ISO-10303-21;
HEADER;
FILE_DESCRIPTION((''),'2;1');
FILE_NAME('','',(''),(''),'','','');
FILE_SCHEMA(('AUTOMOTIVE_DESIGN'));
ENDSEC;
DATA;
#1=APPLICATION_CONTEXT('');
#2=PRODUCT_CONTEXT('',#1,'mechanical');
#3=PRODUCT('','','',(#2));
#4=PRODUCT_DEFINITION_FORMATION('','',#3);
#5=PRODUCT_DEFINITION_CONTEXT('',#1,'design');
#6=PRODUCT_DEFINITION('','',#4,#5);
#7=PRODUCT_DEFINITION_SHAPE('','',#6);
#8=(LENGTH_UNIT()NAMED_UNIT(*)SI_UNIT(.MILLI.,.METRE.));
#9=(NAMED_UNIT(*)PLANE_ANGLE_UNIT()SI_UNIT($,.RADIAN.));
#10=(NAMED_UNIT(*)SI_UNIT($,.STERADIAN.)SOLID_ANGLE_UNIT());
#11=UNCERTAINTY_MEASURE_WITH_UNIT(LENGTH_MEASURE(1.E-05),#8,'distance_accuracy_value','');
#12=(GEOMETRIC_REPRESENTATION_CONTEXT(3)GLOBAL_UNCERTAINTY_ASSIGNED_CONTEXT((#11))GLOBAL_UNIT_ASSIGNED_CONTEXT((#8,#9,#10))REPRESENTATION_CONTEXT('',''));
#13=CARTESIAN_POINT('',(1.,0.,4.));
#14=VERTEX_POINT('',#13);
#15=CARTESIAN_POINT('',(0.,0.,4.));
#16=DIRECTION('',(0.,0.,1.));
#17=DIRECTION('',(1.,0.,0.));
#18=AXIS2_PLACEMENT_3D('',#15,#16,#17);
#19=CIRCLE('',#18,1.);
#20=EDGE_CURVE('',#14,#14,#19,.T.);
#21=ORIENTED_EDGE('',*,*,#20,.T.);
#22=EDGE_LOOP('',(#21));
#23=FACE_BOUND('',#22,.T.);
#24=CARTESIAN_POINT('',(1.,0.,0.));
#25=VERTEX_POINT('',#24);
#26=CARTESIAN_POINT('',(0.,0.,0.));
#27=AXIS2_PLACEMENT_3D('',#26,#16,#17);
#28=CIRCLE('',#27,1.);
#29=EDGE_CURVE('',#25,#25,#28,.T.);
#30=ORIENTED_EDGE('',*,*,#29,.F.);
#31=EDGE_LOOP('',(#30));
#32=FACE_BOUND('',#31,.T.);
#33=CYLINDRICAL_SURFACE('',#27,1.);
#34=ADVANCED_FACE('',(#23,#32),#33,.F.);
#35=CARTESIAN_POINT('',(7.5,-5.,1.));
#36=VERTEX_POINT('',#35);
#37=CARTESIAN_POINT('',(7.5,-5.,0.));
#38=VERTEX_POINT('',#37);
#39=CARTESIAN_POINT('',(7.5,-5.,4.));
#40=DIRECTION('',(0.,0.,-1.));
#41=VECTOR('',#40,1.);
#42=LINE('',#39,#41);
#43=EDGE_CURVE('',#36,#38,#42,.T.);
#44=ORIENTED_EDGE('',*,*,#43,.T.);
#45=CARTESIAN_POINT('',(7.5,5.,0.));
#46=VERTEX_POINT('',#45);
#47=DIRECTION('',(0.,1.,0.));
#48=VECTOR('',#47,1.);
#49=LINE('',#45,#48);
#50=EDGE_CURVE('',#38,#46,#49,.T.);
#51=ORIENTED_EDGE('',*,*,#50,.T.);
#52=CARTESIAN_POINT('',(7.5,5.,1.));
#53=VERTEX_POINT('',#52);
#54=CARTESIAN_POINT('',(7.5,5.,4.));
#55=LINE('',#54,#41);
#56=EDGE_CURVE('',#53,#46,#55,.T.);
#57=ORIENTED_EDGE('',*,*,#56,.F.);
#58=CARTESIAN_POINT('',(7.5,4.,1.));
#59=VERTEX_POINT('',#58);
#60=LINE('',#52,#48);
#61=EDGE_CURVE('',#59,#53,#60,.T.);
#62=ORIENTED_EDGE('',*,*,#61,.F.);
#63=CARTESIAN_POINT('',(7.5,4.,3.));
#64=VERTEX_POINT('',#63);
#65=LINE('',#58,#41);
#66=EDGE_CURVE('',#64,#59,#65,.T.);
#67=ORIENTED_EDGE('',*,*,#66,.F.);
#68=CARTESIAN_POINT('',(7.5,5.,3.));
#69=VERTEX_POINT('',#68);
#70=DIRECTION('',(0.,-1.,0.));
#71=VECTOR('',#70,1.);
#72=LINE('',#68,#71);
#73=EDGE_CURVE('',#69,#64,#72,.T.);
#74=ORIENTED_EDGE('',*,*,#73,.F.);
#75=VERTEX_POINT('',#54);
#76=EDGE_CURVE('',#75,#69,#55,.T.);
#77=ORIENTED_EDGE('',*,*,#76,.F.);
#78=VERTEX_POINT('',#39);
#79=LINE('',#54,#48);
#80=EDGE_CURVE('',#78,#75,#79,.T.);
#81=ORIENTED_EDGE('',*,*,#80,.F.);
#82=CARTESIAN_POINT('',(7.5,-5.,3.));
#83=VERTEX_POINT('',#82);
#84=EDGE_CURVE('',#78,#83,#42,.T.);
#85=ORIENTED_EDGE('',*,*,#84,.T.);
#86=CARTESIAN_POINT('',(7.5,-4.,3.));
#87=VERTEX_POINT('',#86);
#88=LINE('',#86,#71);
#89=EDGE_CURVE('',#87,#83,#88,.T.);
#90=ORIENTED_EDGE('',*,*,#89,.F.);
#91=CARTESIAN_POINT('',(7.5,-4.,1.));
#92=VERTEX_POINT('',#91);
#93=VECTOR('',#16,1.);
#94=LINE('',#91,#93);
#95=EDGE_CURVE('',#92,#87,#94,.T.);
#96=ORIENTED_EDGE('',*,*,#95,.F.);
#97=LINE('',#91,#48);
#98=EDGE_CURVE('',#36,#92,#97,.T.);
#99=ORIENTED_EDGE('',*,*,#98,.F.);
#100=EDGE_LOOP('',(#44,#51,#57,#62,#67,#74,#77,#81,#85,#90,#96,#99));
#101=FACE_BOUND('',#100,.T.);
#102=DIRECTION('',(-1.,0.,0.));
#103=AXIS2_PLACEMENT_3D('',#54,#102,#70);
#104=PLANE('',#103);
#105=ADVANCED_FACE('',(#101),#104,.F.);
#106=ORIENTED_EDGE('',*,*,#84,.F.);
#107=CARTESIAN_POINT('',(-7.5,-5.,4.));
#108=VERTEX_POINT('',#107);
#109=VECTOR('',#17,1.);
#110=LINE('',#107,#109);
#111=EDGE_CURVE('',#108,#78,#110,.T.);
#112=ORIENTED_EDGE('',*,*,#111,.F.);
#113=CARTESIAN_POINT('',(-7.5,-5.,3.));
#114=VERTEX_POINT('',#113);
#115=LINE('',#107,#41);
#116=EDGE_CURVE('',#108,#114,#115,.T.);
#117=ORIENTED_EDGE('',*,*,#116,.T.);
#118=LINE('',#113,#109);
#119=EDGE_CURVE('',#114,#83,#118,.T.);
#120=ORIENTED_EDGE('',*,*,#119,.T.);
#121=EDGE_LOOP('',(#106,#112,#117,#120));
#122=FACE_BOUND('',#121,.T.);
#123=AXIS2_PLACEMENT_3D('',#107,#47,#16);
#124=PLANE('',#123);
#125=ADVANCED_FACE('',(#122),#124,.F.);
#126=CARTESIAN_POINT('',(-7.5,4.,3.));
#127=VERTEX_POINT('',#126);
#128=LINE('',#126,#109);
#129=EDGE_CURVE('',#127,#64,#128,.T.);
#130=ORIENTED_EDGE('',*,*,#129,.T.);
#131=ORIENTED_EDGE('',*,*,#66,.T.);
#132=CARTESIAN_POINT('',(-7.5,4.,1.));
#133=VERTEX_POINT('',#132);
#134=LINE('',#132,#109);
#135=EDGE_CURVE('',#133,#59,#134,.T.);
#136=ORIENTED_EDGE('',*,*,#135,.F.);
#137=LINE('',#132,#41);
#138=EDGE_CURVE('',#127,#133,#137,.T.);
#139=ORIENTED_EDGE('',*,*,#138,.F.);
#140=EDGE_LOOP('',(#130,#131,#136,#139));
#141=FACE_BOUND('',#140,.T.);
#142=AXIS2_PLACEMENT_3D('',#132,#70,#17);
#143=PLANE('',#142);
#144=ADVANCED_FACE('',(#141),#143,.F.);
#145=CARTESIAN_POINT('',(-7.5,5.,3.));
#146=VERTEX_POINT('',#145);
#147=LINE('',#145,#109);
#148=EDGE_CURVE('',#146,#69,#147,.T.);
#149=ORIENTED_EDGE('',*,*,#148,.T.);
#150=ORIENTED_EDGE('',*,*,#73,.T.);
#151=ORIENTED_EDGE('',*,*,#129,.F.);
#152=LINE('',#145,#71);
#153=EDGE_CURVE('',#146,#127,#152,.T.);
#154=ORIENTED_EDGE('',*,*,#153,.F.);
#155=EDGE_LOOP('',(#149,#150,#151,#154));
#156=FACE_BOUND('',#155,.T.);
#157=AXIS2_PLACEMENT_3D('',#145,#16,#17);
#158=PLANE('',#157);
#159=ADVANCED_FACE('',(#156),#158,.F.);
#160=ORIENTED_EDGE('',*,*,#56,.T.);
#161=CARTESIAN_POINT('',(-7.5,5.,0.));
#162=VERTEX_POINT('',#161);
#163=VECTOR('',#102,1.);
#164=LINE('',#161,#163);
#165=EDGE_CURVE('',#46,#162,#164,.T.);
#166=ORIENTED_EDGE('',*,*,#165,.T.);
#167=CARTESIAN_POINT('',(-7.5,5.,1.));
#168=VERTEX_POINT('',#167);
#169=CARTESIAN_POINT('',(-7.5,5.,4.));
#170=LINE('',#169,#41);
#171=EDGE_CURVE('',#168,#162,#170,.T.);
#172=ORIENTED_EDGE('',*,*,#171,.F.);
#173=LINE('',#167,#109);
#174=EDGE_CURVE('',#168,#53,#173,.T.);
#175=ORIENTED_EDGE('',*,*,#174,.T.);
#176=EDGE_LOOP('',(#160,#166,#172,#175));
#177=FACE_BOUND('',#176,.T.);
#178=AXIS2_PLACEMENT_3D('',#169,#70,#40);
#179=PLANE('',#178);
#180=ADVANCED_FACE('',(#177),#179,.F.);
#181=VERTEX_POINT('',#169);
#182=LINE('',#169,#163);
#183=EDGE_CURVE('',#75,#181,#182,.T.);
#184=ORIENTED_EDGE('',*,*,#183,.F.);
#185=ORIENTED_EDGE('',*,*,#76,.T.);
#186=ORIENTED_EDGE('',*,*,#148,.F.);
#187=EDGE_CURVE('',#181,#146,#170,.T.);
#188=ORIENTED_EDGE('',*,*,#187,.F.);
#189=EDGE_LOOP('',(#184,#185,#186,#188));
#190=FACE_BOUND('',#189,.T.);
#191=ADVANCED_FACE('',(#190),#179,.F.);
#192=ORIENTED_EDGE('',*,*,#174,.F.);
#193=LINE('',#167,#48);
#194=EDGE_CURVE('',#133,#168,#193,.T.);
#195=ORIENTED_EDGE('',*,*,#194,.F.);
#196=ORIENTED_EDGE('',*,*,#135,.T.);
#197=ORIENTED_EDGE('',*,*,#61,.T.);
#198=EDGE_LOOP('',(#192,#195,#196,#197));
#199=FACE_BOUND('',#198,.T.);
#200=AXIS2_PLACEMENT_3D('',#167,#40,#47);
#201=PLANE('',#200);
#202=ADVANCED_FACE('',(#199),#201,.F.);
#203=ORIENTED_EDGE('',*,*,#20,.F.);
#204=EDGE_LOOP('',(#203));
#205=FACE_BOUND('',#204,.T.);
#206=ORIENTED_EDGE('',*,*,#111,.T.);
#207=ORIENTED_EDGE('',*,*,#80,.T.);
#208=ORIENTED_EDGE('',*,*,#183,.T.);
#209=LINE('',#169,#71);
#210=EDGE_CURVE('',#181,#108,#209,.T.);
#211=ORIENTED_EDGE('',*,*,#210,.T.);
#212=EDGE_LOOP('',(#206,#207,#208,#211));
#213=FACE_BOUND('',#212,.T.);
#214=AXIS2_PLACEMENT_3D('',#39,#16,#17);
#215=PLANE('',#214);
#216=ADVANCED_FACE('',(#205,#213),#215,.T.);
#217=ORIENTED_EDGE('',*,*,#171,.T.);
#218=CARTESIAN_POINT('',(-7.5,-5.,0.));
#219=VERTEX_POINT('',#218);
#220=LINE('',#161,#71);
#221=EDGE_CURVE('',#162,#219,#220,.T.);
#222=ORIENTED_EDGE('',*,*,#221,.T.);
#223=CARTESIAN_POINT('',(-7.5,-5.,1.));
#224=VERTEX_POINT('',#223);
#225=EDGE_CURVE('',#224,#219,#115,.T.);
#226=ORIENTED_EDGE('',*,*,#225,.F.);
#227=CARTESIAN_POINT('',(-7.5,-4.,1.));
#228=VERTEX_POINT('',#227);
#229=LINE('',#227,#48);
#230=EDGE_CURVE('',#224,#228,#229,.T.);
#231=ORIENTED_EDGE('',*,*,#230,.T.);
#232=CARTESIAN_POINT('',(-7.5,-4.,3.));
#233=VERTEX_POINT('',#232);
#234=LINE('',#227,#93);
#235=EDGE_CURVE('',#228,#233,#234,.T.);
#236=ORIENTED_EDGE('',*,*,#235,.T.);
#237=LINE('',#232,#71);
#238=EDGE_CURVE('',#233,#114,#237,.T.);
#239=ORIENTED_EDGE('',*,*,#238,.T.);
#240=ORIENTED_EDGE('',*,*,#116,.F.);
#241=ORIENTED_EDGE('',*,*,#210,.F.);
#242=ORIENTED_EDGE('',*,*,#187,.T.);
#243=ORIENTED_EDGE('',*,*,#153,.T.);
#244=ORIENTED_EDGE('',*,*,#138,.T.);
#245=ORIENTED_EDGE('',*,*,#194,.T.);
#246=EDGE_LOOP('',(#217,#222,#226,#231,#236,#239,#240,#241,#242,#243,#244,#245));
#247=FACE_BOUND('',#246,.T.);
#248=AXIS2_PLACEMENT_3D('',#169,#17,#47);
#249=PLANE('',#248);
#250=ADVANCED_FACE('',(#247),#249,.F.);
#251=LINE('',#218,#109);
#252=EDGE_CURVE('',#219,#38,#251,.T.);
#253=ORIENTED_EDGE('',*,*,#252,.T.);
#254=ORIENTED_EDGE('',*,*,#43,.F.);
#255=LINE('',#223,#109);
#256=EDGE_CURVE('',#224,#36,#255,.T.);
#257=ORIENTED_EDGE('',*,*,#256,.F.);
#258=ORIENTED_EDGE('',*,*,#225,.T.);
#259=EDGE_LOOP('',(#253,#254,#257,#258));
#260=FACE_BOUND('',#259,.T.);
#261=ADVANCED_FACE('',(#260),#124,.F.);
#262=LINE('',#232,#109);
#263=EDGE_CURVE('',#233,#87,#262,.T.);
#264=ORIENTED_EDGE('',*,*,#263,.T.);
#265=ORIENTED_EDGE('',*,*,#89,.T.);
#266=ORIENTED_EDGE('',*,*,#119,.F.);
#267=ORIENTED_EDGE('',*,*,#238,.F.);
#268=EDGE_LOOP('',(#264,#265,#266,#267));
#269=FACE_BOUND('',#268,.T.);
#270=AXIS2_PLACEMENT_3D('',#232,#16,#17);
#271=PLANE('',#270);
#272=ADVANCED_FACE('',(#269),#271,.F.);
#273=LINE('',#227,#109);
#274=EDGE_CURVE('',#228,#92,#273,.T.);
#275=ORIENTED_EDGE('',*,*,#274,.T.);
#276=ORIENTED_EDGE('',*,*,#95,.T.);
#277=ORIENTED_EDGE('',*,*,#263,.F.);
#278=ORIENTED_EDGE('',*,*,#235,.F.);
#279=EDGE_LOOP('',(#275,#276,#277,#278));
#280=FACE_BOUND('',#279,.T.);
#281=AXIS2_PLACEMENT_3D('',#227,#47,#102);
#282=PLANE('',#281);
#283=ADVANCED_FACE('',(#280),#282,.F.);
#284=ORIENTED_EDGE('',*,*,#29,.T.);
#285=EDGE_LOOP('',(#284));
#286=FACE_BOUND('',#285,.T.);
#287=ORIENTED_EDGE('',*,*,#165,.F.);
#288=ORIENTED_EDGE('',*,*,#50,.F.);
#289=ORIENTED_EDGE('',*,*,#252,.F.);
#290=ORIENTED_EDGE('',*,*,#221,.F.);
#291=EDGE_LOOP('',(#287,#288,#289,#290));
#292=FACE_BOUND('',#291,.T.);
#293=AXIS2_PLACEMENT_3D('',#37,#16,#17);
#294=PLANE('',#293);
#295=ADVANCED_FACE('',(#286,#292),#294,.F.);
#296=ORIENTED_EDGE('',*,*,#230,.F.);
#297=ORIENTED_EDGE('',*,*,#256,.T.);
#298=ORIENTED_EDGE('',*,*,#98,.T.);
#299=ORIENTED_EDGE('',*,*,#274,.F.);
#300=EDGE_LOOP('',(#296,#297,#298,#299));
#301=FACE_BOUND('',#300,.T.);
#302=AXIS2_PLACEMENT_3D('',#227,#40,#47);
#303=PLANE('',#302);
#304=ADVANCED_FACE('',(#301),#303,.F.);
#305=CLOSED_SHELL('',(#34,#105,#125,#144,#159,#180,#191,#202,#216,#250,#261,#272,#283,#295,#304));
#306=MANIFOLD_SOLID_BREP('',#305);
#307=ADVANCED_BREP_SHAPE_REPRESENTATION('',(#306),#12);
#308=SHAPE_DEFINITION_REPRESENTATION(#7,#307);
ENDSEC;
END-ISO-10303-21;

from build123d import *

# Parameters (mm, degrees)
SKETCH_1_W          = 15
SKETCH_1_H          = 10
EXTRUDE_1_DEPTH     = 4
SKETCH_2_W          = 2
SKETCH_2_H          = 1
CUT_EXTRUDE_1_DEPTH = 16
SKETCH_3_R          = 1
CUT_EXTRUDE_2_DEPTH = 5


with BuildPart() as part:
    # 草图1 → 凸台-拉伸1 (new body)
    with BuildSketch(Plane.XY):
        Rectangle(SKETCH_1_W, SKETCH_1_H)
    extrude(amount=EXTRUDE_1_DEPTH)

    # 草图2 → 切除-拉伸1 (cut, through all)
    with BuildSketch(Plane(origin=(7.5, 0, 0), x_dir=(0, 0, -1), z_dir=(1, 0, 0))):
        with Locations((-2, 4.5)):
            Rectangle(SKETCH_2_W, SKETCH_2_H)
        with Locations((-2, -4.5)):
            Rectangle(SKETCH_2_W, SKETCH_2_H)
    extrude(amount=-CUT_EXTRUDE_1_DEPTH, mode=Mode.SUBTRACT)

    # 草图3 → 切除-拉伸2 (cut, through all)
    with BuildSketch(Plane.XY.offset(4)):
        Circle(SKETCH_3_R)
    extrude(amount=-CUT_EXTRUDE_2_DEPTH, mode=Mode.SUBTRACT)


solid = part.part
